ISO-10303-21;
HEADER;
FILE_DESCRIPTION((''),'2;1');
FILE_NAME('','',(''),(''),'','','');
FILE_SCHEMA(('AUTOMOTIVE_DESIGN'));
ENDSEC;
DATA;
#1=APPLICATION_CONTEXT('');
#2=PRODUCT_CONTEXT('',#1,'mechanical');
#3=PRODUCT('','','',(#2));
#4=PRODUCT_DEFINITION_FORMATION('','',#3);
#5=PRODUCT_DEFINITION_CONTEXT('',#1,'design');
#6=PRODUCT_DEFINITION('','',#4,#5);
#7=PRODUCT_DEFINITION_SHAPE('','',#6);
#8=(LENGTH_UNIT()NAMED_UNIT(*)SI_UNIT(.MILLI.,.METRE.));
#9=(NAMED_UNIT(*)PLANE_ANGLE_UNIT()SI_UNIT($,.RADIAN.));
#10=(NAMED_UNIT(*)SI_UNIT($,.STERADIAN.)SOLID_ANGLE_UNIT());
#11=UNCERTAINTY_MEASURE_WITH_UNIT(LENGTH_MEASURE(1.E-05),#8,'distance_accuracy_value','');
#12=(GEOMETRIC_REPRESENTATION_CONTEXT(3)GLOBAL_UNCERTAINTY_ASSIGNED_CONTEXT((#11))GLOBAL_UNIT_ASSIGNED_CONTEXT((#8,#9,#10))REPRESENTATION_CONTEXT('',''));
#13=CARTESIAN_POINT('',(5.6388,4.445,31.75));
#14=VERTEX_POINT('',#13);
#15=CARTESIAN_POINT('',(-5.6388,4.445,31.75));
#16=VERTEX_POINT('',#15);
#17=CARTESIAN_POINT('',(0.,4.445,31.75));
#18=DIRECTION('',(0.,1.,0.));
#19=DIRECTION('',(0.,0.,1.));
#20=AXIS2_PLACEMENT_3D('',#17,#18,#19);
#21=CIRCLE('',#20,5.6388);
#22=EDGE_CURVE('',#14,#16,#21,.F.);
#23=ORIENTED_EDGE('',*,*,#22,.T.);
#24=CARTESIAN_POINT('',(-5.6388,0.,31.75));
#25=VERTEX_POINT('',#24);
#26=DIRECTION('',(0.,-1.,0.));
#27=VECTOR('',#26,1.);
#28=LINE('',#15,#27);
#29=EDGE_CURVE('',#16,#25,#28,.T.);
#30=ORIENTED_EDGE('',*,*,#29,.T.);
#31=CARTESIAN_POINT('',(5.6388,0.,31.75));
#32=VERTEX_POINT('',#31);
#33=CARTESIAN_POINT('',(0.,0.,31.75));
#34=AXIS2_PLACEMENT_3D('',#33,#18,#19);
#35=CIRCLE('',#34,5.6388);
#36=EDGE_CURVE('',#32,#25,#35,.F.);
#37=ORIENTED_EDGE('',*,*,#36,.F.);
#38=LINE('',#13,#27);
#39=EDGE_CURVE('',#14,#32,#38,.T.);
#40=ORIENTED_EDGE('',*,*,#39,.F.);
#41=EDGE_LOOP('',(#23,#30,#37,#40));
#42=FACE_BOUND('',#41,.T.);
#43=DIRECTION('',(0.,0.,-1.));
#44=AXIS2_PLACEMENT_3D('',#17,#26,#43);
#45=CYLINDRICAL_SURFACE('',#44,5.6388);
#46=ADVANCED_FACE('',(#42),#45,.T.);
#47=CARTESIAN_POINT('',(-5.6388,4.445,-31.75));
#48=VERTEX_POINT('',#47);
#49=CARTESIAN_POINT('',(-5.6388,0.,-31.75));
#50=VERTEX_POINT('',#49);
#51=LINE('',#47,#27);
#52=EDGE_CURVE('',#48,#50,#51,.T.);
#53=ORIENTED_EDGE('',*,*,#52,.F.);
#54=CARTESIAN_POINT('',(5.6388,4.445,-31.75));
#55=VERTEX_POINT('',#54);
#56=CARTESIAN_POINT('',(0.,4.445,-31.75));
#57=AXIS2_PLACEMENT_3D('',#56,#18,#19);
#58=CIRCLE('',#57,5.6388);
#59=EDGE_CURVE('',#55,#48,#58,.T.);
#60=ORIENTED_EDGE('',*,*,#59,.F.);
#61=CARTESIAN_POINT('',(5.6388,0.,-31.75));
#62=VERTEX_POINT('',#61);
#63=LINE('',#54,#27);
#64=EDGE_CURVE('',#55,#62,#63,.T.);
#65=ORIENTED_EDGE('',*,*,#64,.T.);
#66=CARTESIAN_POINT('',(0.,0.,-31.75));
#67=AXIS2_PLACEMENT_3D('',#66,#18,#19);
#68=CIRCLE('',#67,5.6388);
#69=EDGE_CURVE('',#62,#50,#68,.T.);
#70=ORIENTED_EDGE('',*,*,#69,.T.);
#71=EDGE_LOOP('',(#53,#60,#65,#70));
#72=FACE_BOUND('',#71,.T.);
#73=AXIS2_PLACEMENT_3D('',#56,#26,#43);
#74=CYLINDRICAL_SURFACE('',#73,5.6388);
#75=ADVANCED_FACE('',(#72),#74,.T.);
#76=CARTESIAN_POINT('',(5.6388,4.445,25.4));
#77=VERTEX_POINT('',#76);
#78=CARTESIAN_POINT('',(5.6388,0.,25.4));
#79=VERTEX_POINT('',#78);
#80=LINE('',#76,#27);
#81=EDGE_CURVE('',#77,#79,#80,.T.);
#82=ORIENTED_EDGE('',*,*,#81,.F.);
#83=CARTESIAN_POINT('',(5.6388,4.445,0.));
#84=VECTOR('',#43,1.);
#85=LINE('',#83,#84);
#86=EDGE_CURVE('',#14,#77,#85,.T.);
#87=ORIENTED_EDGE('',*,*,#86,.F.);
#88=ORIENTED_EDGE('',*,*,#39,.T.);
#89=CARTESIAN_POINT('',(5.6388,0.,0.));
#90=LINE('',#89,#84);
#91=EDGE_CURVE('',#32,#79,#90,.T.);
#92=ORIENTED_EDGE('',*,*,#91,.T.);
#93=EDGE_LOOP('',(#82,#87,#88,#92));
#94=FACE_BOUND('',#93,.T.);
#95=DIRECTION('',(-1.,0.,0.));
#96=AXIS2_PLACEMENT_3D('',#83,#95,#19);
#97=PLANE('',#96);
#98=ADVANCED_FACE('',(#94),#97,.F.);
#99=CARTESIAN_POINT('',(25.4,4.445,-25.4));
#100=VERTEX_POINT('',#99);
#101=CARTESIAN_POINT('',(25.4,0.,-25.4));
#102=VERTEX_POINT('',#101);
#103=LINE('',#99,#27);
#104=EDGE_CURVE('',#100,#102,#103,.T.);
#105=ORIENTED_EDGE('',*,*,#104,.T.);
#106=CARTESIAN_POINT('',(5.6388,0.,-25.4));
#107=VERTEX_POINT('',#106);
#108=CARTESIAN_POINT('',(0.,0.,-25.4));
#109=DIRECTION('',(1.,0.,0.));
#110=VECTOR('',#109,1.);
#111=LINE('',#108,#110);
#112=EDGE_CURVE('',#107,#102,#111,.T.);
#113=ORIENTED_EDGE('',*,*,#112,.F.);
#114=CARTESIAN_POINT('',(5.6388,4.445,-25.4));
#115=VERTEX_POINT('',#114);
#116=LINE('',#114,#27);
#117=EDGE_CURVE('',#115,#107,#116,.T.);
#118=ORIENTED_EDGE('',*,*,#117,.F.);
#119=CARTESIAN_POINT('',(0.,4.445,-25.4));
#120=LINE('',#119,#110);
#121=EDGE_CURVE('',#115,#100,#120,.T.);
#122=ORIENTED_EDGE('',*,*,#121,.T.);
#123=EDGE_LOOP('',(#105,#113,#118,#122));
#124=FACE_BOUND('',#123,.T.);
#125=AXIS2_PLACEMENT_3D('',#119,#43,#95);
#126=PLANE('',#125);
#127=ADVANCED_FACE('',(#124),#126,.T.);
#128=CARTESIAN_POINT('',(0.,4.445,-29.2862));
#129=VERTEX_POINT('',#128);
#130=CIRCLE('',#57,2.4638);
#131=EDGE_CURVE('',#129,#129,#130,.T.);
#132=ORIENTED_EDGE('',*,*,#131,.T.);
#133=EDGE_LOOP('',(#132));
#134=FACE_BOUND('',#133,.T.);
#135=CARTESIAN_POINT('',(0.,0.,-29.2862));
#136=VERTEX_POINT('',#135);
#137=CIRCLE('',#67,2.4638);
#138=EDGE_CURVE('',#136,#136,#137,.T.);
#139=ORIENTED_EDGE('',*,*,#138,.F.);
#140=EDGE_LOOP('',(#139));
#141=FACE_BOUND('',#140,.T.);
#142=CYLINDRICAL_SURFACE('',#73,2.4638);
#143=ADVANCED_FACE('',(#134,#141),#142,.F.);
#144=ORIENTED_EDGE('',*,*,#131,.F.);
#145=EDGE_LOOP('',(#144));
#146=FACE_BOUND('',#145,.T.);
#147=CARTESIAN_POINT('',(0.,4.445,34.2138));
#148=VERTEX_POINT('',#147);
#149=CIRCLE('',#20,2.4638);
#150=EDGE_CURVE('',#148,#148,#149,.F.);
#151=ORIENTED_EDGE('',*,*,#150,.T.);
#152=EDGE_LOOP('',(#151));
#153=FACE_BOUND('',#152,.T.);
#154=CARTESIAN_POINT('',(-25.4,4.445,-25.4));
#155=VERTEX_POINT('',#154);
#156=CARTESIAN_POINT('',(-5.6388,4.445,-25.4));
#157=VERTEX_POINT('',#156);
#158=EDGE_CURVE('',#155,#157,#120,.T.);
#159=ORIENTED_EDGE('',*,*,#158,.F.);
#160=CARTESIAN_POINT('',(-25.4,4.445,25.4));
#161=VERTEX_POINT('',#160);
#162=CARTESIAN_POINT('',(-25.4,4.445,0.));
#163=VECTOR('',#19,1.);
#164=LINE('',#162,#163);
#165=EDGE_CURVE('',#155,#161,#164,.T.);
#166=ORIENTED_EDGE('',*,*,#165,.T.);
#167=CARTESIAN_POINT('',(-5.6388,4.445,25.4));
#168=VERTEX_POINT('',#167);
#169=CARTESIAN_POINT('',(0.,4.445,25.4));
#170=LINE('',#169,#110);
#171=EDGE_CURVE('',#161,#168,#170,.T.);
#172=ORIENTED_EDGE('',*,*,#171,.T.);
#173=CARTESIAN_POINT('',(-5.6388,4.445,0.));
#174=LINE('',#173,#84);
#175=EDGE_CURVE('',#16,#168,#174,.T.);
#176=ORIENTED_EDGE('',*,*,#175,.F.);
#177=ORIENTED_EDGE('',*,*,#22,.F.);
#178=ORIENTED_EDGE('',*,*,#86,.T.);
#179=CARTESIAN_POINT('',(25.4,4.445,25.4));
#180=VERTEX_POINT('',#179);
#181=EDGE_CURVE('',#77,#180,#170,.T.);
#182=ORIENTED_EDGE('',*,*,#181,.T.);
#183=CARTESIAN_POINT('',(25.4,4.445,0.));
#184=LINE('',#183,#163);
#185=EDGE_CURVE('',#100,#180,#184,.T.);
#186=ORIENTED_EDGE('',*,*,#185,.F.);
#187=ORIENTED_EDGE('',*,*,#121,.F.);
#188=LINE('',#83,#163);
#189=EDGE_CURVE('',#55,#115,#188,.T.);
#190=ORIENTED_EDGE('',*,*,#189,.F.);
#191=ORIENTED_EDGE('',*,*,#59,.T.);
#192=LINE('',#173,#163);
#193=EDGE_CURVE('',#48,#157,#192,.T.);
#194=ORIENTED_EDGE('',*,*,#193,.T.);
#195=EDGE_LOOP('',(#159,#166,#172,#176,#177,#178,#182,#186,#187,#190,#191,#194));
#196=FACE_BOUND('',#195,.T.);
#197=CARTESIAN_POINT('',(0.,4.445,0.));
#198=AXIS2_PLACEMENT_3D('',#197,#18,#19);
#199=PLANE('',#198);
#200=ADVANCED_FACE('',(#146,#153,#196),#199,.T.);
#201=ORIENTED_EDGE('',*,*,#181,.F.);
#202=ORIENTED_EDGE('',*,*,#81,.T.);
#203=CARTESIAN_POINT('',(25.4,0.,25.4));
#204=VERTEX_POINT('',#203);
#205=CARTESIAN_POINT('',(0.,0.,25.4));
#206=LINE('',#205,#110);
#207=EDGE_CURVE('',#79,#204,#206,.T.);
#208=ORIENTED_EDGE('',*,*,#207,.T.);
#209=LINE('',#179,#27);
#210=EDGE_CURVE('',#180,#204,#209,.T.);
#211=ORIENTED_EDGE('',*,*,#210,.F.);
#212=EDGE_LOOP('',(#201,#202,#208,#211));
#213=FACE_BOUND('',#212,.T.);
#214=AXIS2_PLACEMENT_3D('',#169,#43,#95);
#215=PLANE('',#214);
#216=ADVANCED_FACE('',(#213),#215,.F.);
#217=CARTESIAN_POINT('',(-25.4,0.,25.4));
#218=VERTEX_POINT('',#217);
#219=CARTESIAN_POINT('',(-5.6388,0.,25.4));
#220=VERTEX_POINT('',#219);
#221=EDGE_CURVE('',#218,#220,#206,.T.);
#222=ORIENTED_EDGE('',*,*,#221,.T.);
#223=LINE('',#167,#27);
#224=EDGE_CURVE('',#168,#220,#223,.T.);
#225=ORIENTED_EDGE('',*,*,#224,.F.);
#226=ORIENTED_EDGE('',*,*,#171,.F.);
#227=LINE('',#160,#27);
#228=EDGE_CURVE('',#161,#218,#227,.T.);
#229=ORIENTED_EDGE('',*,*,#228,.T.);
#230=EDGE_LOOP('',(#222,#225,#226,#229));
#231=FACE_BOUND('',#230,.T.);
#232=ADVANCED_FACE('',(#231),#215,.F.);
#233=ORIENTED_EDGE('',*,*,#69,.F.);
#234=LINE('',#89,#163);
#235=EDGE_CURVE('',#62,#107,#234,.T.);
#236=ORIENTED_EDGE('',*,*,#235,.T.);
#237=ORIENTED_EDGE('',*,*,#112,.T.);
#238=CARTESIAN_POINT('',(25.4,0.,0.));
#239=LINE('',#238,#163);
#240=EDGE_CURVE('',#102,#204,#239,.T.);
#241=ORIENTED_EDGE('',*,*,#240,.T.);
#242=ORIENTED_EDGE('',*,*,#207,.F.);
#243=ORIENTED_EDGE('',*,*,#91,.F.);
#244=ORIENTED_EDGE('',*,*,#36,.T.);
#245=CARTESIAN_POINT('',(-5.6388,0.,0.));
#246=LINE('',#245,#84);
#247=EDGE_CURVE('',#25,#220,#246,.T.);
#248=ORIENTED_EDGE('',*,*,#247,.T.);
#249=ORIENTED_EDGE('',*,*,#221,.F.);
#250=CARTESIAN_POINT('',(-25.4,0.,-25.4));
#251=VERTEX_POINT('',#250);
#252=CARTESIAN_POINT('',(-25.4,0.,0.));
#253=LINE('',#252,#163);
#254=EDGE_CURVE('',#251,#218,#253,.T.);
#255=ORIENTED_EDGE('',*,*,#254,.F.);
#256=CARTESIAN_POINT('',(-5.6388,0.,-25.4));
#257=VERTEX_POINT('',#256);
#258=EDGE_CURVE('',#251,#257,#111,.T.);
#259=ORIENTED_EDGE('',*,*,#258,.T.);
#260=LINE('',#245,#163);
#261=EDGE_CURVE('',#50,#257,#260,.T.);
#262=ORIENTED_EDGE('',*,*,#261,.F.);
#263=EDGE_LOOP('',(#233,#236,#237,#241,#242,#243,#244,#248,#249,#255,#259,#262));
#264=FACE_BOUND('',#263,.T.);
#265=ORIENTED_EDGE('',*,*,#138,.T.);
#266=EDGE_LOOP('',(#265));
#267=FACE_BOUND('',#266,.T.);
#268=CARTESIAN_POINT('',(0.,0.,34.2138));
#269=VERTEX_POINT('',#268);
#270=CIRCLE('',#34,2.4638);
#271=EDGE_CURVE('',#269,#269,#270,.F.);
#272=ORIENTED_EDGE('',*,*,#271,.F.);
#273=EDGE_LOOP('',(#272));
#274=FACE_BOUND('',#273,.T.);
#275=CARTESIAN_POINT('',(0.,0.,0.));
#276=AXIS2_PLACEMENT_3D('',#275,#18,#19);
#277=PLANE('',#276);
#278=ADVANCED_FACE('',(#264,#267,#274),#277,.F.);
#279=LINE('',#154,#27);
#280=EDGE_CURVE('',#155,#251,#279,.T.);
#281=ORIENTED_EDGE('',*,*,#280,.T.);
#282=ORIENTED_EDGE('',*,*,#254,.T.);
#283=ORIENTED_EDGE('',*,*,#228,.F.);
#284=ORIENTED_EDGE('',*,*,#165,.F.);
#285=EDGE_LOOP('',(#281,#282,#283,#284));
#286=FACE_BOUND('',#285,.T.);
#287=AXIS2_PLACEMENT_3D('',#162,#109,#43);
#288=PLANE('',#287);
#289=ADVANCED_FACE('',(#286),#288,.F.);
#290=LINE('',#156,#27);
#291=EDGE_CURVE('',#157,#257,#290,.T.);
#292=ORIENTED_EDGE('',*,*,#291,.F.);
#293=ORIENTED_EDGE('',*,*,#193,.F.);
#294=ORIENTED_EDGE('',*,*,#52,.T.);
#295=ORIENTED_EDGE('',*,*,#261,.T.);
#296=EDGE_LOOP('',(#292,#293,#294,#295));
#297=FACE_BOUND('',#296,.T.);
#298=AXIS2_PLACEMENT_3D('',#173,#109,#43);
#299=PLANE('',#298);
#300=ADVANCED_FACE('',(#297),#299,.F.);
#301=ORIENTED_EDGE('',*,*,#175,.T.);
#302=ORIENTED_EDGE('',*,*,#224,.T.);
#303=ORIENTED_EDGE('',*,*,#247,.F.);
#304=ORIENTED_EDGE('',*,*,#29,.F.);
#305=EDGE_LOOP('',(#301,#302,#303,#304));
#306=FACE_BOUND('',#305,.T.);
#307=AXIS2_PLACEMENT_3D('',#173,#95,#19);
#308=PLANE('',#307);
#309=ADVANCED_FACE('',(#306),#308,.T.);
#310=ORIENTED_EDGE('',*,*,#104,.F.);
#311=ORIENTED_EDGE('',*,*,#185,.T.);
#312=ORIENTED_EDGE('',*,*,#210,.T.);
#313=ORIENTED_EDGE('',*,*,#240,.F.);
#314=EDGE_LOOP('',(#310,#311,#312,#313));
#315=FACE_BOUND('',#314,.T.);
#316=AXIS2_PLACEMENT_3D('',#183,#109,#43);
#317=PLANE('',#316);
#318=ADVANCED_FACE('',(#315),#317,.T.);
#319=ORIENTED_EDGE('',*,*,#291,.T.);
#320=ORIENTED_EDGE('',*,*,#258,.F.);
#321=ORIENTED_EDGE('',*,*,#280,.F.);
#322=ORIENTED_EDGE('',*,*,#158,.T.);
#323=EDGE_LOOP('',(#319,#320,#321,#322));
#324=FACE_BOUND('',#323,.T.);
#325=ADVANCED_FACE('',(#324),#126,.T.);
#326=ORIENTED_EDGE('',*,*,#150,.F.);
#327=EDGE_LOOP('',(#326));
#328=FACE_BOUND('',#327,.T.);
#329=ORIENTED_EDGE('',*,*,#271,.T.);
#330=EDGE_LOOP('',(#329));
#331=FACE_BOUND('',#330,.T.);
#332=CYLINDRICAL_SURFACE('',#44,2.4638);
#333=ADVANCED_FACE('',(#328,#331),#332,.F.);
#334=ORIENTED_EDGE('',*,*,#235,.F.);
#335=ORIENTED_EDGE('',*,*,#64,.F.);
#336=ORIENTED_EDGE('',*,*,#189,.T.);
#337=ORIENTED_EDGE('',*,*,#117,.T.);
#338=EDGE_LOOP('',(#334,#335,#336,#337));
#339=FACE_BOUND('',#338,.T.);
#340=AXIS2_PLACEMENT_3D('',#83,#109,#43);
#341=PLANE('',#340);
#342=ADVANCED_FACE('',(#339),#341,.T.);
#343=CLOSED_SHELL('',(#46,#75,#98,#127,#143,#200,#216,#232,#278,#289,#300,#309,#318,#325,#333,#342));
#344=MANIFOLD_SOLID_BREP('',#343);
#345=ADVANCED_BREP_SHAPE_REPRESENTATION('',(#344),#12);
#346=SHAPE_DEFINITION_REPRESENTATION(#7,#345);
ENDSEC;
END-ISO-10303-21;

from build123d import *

# Parameters (mm, degrees)
SKETCH1_R           = 2.4638
BOSS_EXTRUDE1_DEPTH = 4.445


with BuildPart() as part:
    # Sketch1 → Boss-Extrude1 (new body)
    with BuildSketch(Plane(origin=(0, 0, 0), x_dir=(1, 0, 0), z_dir=(0, 1, 0))):
        with BuildLine():
            ThreePointArc((5.6388, -31.75), (0, -37.3888), (-5.6388, -31.75))
            Line((-5.6388, -31.75), (-5.6388, -25.4))
            Line((-5.6388, -25.4), (-25.4, -25.4))
            Line((-25.4, -25.4), (-25.4, 25.4))
            Line((-25.4, 25.4), (-5.6388, 25.4))
            Line((-5.6388, 25.4), (-5.6388, 31.75))
            ThreePointArc((-5.6388, 31.75), (0, 37.3888), (5.6388, 31.75))
            Line((5.6388, 31.75), (5.6388, 25.4))
            Line((5.6388, 25.4), (25.4, 25.4))
            Line((25.4, 25.4), (25.4, -25.4))
            Line((25.4, -25.4), (5.6388, -25.4))
            Line((5.6388, -25.4), (5.6388, -31.75))
        make_face()
        with Locations(Location((0, 31.75, 0), (0, 0, 270))):
            Circle(SKETCH1_R, mode=Mode.SUBTRACT)
        with Locations(Location((0, -31.75, 0), (0, 0, 270))):
            Circle(SKETCH1_R, mode=Mode.SUBTRACT)
    extrude(amount=BOSS_EXTRUDE1_DEPTH)


solid = part.part
